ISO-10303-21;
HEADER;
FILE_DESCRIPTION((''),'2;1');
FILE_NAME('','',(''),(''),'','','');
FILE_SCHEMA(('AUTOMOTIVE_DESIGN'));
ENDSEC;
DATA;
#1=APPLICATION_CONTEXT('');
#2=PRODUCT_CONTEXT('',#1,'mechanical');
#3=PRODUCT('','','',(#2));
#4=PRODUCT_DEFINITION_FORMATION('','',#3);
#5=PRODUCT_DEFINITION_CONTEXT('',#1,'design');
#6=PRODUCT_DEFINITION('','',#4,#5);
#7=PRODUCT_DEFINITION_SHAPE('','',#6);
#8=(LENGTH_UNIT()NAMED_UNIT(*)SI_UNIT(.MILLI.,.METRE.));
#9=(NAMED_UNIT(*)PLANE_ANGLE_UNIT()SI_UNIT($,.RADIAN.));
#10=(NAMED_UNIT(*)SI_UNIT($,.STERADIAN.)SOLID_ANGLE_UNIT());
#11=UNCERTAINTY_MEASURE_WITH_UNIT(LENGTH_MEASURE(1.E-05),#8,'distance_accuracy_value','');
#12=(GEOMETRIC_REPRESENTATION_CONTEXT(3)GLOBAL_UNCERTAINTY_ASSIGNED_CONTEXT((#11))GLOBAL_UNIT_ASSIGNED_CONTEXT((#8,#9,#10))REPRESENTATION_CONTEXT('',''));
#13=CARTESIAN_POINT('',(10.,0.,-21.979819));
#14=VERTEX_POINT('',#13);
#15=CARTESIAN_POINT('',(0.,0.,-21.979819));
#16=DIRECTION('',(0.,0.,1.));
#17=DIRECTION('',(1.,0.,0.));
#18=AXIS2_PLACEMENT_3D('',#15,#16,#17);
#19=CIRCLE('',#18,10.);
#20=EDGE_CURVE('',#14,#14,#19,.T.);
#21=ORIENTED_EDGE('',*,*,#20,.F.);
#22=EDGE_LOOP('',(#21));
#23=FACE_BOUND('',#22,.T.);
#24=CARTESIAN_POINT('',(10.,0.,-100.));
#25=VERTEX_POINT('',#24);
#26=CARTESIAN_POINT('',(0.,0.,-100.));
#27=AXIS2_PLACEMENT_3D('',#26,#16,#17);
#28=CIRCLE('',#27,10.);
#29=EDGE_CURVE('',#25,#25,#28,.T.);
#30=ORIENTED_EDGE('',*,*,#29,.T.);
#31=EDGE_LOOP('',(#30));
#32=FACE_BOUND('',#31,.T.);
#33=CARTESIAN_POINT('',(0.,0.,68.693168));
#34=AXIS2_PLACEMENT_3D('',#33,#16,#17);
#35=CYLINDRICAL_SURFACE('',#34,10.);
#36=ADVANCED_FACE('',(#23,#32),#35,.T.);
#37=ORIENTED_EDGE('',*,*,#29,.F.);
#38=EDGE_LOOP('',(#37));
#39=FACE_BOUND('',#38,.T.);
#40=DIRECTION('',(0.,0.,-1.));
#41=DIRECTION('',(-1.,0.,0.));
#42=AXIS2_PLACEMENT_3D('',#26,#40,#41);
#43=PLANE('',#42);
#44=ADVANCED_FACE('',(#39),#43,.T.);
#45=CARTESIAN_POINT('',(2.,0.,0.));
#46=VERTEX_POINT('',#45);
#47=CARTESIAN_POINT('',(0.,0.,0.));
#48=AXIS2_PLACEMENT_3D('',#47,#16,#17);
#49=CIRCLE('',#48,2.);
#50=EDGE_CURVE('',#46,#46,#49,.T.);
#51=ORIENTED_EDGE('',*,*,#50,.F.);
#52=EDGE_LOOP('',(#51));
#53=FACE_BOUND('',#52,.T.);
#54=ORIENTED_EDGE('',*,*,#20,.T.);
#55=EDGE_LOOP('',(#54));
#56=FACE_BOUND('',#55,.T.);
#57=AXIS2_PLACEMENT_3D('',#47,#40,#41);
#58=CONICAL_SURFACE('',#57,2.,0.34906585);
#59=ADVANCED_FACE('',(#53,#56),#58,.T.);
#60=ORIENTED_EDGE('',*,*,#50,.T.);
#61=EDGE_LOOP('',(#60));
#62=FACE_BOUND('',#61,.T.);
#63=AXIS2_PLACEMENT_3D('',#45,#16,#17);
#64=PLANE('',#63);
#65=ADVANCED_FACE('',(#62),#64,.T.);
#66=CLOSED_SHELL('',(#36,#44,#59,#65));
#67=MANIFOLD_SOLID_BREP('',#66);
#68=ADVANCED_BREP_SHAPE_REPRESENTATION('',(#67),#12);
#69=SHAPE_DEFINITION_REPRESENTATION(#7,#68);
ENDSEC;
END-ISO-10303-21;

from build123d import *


with BuildPart() as part:
    # Sketch1 → Revolve1 (revolve)
    with BuildSketch(Plane(origin=(0, 0, 0), x_dir=(1, 0, 0), z_dir=(0, 1, 0))):
        Polygon((0, 100), (10, 100), (10, 21.979819356), (2, 0), (0, 0), align=None)
    revolve(axis=Axis((0, 0, 68.693168404), (0, 0, -1)))


solid = part.part
